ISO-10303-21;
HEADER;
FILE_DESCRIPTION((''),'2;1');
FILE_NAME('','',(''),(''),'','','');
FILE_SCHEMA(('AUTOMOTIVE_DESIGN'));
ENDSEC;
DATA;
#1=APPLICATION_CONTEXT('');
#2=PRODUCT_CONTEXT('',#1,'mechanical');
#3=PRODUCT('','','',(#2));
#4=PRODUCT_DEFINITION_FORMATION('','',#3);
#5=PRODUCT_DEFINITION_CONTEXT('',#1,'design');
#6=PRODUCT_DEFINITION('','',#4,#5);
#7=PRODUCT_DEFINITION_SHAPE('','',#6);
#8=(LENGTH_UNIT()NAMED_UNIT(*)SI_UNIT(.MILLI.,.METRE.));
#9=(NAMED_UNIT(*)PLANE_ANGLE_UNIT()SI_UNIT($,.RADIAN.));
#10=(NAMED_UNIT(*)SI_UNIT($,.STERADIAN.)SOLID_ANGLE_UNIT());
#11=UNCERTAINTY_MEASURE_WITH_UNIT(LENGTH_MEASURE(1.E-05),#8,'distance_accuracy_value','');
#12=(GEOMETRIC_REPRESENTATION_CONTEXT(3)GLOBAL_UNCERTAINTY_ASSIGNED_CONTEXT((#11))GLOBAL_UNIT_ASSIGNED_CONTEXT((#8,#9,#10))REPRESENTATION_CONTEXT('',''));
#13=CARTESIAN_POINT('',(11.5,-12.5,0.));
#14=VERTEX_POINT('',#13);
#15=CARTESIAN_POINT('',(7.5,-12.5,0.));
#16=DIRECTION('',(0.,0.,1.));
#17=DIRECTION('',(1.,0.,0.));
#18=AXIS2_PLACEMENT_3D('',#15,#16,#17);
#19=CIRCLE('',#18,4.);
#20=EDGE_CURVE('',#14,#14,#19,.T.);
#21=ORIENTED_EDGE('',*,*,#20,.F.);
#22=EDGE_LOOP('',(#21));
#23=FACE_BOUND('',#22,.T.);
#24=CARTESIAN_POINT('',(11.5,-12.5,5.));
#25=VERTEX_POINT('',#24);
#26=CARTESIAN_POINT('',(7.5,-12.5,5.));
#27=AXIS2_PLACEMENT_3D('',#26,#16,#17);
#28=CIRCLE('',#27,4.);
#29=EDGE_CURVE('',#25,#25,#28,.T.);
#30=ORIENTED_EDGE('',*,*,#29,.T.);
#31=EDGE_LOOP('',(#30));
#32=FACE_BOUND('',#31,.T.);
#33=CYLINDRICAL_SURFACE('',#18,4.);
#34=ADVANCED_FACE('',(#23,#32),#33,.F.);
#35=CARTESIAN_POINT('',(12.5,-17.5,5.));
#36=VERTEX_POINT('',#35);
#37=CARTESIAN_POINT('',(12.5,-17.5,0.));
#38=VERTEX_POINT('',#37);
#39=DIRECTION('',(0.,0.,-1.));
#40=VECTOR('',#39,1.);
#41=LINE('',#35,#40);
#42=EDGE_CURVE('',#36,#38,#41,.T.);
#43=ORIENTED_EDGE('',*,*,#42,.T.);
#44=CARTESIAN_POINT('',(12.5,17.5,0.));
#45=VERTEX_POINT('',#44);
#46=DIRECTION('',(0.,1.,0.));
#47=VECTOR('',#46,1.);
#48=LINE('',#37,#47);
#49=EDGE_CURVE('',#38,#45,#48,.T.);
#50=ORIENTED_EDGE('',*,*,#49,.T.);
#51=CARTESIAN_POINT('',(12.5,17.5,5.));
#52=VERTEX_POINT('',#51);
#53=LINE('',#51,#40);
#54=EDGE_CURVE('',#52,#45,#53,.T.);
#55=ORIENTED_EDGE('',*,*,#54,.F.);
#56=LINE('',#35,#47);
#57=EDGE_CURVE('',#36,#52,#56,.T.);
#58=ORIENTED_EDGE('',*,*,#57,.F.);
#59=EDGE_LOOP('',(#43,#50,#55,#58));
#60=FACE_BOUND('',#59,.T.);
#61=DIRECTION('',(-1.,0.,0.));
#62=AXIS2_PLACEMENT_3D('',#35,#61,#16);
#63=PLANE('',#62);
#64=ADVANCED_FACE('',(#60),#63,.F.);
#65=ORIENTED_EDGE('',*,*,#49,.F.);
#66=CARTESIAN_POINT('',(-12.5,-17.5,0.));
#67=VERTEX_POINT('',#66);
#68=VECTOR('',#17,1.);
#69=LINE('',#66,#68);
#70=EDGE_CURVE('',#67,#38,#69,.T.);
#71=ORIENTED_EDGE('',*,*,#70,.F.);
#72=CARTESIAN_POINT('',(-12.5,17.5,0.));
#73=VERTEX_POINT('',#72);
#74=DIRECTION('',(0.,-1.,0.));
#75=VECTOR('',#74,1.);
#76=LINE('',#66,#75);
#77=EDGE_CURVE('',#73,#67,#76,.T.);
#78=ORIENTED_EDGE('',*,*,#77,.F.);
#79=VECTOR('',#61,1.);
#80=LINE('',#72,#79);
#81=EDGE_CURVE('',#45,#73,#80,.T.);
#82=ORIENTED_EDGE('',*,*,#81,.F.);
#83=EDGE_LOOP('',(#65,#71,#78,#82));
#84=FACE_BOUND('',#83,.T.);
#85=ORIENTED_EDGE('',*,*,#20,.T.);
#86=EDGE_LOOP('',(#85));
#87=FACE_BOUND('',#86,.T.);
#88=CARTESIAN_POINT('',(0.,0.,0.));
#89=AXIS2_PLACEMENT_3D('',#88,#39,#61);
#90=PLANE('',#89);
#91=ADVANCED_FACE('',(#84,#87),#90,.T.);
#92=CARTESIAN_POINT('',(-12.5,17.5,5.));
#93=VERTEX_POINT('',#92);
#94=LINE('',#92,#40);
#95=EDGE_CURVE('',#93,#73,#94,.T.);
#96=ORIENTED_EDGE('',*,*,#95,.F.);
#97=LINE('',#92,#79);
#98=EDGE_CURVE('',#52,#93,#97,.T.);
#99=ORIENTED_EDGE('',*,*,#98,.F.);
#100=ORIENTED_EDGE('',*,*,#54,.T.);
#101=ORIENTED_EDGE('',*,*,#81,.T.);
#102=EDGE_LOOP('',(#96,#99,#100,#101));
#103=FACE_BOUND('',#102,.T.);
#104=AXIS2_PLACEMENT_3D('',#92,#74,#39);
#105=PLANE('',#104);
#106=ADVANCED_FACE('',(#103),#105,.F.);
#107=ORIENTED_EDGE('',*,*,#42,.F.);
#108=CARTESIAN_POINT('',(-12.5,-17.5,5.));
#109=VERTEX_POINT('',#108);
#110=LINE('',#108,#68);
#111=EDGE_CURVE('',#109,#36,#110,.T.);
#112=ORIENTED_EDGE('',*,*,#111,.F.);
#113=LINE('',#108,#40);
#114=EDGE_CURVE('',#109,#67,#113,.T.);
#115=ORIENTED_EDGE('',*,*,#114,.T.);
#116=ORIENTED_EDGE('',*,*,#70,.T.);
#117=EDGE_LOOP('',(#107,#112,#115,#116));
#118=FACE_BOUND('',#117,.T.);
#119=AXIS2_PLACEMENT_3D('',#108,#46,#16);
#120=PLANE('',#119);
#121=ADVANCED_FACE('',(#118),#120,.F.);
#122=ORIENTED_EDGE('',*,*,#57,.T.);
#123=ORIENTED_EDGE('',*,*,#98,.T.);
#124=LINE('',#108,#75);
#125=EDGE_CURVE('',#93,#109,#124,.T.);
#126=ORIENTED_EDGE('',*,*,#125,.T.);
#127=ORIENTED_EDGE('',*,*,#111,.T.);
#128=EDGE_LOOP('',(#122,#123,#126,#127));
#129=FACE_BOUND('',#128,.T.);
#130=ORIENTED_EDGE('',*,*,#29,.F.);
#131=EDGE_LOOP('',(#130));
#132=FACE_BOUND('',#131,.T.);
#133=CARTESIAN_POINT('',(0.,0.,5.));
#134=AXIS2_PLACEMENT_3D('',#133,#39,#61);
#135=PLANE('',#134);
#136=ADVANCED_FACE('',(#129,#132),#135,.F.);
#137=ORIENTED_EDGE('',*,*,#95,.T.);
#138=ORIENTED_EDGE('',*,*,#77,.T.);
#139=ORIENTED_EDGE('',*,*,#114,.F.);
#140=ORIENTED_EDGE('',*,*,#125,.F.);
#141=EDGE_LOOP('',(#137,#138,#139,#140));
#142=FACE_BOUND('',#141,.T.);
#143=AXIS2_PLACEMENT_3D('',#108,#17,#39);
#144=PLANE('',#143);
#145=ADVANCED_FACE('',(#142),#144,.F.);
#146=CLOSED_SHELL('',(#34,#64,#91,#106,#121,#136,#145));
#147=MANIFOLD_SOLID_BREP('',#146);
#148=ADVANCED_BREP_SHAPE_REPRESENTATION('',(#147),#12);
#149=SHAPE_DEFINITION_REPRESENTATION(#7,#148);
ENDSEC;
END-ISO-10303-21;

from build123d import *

# Parameters (mm, degrees)
SKETCH2_W           = 25
SKETCH2_H           = 35
BOSS_EXTRUDE1_DEPTH = 5
SKETCH6_R           = 4
CUT_EXTRUDE2_DEPTH  = 23.079402166


with BuildPart() as part:
    # Sketch2 → Boss-Extrude1 (new body)
    with BuildSketch(Plane.XY):
        Rectangle(SKETCH2_W, SKETCH2_H)
    extrude(amount=BOSS_EXTRUDE1_DEPTH)

    # Sketch6 → Cut-Extrude2 (cut, through all)
    with BuildSketch(Plane.XY.offset(5)):
        with Locations((7.5, -12.5)):
            Circle(SKETCH6_R)
    extrude(amount=-CUT_EXTRUDE2_DEPTH, mode=Mode.SUBTRACT)


solid = part.part
